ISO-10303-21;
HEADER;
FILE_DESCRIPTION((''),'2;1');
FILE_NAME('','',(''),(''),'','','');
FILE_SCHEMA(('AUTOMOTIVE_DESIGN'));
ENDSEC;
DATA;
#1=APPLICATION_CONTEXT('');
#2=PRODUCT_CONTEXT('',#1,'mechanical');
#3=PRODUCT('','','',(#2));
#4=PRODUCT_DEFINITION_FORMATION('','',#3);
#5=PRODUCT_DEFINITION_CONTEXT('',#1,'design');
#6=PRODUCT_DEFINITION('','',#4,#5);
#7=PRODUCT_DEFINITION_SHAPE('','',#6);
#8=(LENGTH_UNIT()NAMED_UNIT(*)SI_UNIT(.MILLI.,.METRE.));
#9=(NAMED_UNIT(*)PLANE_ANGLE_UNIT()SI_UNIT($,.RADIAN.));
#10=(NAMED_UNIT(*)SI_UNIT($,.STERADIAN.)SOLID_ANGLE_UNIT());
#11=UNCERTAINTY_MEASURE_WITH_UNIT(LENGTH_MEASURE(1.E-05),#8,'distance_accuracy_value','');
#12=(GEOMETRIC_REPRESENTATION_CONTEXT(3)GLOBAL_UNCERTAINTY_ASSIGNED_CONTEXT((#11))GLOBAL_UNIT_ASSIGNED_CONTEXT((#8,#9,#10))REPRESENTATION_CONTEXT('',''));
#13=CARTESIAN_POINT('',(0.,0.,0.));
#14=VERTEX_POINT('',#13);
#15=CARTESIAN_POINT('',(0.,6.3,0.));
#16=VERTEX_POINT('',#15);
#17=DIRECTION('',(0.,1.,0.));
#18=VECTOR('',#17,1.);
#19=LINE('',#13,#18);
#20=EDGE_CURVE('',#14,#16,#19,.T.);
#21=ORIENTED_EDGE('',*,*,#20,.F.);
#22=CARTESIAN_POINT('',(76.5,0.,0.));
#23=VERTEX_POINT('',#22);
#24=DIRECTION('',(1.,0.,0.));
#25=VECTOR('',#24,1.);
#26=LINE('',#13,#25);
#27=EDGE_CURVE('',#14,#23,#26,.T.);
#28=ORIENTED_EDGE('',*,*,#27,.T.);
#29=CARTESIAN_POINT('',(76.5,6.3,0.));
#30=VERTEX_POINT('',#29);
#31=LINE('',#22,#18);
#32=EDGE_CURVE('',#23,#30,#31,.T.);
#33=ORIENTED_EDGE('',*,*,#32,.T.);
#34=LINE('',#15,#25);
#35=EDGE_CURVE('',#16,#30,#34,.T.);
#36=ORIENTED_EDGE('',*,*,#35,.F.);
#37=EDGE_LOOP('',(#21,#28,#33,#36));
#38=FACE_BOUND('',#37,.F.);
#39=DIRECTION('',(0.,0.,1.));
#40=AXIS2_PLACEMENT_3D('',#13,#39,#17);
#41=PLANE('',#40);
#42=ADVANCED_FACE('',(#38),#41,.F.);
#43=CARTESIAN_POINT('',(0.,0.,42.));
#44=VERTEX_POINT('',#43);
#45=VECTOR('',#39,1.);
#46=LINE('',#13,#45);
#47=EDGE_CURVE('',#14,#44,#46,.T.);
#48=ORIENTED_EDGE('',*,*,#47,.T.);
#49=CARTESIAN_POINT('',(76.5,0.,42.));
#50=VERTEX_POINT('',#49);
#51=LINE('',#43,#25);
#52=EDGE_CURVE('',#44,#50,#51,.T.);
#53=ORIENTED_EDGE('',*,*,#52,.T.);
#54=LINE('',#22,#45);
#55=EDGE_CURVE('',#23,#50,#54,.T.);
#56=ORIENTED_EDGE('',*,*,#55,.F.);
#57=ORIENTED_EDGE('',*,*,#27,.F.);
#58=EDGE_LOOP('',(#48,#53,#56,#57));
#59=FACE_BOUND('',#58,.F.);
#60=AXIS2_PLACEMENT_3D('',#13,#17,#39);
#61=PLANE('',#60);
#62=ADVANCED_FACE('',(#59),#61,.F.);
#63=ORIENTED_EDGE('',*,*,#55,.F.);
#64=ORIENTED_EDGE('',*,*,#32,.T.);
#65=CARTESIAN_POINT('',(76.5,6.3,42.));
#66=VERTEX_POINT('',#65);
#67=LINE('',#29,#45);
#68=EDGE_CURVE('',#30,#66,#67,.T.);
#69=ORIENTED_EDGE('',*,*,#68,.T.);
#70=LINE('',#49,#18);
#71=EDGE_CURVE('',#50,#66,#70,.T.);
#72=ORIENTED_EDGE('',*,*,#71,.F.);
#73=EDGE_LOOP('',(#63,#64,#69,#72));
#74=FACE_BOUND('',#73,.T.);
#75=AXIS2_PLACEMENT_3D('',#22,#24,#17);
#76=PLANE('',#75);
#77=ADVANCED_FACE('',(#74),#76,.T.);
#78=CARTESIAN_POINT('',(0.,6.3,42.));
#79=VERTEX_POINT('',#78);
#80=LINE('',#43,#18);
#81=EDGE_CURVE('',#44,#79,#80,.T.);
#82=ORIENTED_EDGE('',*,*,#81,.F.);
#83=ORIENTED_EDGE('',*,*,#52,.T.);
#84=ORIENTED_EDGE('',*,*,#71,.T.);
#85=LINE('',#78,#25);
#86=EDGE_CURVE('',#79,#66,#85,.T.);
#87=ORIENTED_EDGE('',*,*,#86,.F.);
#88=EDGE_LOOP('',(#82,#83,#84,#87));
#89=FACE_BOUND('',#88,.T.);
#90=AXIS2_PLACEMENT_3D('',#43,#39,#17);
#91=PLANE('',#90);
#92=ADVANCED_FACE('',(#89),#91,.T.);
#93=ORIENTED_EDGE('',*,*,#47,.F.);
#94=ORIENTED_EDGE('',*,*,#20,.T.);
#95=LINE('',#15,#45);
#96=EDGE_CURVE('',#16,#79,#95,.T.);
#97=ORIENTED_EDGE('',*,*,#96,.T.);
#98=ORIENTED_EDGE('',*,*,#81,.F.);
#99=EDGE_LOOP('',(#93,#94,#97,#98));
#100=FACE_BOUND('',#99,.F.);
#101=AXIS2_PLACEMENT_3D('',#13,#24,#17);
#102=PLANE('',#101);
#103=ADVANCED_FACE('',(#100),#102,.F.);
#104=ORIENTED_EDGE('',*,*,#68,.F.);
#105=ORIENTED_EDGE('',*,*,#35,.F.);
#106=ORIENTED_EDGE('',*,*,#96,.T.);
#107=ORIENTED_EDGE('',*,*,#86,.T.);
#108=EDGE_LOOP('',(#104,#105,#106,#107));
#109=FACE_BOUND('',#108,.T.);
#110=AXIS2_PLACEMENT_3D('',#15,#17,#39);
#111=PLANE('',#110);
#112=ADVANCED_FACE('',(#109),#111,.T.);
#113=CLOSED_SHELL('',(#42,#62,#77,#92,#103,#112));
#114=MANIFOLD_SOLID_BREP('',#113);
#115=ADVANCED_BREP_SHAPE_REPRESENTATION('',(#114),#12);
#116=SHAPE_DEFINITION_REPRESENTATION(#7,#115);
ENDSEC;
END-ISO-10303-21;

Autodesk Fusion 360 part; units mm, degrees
box "BoxPrimitive1" add length 42 width 76.5 height 6.3 placed x (0, 0, 1) y (1, 0, 0) z (0, 1, 0) at (0, 0, 0)
